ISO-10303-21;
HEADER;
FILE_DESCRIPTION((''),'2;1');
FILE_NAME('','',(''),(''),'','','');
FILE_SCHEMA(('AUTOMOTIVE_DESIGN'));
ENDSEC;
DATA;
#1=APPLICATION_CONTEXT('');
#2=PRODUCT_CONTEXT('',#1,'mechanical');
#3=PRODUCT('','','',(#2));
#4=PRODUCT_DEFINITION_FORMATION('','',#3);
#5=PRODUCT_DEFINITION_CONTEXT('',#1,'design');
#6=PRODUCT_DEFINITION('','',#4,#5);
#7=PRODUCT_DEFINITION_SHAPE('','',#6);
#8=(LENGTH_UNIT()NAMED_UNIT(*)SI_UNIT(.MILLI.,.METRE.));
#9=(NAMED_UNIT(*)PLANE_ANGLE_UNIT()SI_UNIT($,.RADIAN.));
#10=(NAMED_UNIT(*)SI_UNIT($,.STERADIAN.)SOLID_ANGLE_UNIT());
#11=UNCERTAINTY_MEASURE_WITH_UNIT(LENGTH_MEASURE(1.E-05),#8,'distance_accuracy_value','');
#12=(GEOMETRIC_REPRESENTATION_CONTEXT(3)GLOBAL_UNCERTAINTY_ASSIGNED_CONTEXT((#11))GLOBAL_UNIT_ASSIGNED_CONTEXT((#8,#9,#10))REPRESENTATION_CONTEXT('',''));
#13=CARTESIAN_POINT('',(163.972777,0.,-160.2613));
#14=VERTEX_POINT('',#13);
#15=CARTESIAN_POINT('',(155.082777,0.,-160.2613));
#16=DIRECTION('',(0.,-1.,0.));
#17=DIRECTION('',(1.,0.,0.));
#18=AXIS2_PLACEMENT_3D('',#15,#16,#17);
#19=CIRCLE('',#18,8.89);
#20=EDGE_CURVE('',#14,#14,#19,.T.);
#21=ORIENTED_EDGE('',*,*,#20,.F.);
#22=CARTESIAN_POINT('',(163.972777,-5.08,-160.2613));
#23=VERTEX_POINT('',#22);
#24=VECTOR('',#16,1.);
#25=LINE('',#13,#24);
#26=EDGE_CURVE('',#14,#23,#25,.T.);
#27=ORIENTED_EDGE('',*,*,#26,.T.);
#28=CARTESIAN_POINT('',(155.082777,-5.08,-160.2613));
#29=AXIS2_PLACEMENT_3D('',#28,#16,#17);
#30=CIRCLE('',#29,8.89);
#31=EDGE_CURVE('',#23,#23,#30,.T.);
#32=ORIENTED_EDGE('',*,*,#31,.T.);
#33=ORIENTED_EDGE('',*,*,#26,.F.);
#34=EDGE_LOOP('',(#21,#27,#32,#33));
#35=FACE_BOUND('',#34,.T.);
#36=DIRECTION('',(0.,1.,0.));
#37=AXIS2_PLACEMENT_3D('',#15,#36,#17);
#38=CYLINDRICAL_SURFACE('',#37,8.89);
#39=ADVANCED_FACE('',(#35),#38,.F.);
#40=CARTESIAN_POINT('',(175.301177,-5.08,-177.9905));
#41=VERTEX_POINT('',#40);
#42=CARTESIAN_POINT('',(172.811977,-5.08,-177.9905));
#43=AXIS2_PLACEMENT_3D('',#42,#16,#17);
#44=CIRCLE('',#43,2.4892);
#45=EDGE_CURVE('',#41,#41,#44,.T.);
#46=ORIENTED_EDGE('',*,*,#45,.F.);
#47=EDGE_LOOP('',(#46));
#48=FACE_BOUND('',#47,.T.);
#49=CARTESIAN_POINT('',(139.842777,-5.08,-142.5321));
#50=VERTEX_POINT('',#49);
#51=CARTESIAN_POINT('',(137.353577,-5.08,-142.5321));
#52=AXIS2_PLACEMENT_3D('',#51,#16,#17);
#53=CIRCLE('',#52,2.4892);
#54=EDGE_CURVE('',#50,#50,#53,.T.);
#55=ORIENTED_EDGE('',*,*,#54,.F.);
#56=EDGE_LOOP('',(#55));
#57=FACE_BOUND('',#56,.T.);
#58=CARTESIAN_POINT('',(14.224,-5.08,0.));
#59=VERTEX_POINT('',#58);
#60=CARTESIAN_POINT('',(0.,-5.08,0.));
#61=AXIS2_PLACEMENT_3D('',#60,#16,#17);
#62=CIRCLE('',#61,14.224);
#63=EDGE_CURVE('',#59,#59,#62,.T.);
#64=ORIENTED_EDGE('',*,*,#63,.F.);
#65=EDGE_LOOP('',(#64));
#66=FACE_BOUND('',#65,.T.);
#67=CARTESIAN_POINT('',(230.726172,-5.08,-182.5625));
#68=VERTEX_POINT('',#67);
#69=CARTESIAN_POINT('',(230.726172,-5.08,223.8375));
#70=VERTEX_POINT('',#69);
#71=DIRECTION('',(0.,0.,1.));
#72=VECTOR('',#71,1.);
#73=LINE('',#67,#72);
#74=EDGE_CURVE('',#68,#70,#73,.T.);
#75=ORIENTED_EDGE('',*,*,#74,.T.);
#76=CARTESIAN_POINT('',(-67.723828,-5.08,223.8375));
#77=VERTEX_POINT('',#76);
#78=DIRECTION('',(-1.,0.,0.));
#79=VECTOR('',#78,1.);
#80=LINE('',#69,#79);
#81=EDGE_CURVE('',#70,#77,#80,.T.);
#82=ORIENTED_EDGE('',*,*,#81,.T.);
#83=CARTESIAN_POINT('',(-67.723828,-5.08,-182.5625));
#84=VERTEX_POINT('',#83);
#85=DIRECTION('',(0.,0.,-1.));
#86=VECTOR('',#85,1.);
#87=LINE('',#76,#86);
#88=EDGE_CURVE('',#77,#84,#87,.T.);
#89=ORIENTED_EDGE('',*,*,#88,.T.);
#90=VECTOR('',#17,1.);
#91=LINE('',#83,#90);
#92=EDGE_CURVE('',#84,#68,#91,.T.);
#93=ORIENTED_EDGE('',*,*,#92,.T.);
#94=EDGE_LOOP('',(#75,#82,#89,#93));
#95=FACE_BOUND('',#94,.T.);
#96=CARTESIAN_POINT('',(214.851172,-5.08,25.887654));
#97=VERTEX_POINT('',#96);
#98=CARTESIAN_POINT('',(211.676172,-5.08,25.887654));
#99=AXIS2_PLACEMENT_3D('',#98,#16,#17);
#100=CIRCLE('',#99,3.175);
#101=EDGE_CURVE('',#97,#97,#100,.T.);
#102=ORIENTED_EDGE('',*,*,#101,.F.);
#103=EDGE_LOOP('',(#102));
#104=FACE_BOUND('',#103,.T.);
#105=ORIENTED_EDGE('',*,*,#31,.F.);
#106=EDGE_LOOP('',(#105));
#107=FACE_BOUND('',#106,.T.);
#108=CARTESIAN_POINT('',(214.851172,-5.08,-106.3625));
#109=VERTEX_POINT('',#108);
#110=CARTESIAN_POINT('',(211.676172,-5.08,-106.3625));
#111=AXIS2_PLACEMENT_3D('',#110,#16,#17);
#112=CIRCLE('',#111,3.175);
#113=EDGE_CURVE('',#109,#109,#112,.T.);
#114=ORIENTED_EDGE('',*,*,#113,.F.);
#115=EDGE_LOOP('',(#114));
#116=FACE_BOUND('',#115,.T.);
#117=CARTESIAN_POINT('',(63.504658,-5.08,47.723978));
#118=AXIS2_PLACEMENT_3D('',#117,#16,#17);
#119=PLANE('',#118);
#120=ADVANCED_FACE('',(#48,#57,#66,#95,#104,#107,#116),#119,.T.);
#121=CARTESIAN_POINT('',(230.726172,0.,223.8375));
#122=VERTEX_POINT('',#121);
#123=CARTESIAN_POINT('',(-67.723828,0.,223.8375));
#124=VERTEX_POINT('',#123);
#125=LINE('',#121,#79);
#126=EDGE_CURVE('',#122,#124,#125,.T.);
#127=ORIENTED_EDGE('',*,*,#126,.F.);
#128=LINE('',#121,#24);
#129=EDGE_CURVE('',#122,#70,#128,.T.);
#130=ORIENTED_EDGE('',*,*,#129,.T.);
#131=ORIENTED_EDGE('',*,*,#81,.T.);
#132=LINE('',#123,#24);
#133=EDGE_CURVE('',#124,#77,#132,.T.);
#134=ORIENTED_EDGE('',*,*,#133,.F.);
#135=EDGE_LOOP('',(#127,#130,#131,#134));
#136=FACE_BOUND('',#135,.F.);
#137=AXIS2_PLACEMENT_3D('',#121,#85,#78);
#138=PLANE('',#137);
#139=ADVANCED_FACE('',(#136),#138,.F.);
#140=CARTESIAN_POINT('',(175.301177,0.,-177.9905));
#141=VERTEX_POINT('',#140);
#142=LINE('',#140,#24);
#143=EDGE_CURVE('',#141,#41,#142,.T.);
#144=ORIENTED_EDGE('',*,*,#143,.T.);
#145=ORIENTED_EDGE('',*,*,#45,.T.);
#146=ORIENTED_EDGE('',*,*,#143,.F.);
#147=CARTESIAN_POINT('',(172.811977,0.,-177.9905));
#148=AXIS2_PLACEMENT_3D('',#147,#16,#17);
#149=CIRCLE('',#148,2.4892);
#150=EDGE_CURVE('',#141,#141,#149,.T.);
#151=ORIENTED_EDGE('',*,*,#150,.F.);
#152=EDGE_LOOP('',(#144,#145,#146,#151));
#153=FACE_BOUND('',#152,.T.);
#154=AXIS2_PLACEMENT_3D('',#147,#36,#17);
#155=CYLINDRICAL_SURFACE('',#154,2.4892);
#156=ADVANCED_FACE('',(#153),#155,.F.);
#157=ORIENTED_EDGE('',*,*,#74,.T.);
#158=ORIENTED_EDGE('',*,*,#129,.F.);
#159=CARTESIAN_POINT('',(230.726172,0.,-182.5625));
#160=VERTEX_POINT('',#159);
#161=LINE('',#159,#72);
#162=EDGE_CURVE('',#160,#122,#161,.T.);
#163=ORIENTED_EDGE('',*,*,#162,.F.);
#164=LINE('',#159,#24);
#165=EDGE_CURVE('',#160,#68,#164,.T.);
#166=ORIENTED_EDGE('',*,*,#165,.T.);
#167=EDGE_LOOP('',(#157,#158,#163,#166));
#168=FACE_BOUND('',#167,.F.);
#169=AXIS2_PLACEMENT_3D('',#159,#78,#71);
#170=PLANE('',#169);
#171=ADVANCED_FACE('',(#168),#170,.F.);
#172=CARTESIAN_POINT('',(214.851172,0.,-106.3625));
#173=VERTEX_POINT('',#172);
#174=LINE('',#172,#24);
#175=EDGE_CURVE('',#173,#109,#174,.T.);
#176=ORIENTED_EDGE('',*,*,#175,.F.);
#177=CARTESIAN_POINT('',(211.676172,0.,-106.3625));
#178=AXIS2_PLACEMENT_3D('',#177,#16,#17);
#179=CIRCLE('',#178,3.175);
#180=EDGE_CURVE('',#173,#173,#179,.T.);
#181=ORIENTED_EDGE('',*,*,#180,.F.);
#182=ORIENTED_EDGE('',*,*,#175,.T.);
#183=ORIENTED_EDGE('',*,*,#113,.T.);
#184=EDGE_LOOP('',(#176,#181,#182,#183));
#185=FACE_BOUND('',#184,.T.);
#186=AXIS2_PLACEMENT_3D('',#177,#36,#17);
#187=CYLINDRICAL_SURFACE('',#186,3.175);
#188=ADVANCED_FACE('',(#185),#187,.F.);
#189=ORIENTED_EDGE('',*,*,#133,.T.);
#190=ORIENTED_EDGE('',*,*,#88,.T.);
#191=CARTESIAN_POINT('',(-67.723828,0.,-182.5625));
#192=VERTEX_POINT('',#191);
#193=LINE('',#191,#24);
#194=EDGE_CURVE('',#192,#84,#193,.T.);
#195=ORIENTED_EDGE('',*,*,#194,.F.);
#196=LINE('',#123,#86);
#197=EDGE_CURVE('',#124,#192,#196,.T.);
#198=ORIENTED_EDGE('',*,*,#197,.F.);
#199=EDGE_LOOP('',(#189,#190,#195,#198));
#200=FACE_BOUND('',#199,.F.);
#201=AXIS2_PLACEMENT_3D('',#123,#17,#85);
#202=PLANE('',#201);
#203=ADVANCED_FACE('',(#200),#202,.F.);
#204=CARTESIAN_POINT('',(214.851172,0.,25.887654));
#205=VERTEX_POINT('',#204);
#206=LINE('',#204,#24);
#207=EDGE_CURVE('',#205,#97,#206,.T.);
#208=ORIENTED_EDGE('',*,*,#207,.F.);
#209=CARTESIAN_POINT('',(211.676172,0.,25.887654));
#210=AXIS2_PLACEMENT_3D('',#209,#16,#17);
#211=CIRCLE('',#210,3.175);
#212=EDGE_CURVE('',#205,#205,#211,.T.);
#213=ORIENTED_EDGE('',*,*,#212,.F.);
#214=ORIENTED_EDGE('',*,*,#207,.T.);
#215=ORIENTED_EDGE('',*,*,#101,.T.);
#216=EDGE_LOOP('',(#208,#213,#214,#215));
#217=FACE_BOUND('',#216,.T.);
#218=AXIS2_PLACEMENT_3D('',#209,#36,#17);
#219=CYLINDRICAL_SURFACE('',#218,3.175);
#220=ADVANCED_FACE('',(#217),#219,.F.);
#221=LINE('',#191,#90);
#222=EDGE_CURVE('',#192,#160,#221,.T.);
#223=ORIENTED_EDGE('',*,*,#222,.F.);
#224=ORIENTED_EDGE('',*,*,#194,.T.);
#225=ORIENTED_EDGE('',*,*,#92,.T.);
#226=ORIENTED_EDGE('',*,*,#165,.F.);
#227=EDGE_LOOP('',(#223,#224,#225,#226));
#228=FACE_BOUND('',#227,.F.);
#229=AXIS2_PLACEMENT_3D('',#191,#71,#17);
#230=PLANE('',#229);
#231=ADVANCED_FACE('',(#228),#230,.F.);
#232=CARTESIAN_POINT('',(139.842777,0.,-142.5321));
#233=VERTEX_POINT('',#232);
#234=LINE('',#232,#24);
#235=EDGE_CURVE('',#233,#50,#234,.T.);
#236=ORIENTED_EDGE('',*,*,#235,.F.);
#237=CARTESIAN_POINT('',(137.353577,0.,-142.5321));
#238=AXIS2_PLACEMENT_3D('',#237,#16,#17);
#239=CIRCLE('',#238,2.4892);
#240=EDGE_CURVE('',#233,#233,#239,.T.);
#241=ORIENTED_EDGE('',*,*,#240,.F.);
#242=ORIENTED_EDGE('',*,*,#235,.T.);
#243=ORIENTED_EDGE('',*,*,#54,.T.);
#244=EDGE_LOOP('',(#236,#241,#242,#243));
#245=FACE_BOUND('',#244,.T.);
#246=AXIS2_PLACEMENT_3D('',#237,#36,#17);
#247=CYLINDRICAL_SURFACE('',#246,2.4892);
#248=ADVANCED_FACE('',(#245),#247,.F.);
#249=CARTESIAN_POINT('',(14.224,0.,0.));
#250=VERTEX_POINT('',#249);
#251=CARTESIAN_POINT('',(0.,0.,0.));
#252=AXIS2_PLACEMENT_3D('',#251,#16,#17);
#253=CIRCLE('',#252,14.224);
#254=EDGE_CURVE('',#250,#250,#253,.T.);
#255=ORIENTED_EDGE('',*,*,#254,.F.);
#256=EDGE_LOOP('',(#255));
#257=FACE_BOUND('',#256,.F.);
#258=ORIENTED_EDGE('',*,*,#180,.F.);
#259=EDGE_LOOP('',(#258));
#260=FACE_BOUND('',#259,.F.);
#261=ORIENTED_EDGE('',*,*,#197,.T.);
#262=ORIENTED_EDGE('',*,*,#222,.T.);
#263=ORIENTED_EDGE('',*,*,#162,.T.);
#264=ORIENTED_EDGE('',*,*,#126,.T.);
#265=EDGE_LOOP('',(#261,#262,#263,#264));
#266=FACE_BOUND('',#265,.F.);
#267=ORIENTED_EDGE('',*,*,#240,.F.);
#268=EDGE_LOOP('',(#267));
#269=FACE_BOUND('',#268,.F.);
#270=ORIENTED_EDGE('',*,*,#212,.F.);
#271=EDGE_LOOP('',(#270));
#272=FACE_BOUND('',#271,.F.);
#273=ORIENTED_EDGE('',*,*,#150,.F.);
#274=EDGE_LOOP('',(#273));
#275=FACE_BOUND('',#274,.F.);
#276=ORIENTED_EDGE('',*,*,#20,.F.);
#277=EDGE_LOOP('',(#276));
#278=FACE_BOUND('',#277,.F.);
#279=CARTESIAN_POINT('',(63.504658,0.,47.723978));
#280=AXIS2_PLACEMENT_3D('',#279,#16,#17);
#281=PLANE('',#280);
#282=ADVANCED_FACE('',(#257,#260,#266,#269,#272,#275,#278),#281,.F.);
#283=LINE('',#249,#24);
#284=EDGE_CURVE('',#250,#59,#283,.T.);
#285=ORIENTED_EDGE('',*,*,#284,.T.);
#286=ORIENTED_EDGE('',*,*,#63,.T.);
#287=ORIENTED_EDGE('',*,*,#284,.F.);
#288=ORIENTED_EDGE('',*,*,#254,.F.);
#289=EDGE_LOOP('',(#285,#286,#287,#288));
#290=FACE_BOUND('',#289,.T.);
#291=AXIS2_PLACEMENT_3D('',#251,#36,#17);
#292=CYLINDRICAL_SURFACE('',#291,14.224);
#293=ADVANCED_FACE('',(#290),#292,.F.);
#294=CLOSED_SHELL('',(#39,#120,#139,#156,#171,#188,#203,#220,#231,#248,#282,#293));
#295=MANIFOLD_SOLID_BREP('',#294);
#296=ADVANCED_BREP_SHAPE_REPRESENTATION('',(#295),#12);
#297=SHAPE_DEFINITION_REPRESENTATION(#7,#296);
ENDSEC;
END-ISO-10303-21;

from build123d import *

# Parameters (mm, degrees)
F0_R     = 14.224
F0_R_2   = 8.89
F0_R_3   = 2.4892
F0_R_4   = 3.175
F1_DEPTH = 5.08


with BuildPart() as f1:
    # F0 (on Front) → F1 (new body)
    with BuildSketch(Plane.XZ):
        with BuildLine():
            Line((-67.723828, -182.5625), (0, -182.5625))
            ThreePointArc((0, -182.5625), (161.19312, -85.707902), (151.351172, 102.087654))
            Line((151.351172, 102.087654), (230.726172, 102.087654))
            Line((230.726172, 102.087654), (230.726172, 223.8375))
            Line((230.726172, 223.8375), (-67.723828, 223.8375))
            Line((-67.723828, 223.8375), (-67.723828, -182.5625))
        make_face()
        Circle(F0_R, mode=Mode.SUBTRACT)
        with BuildLine():
            ThreePointArc((151.351172, 102.087654), (161.19312, -85.707902), (0, -182.5625))
            Line((0, -182.5625), (131.587777, -182.5625))
            Line((131.587777, -182.5625), (178.577777, -182.5625))
            Line((178.577777, -182.5625), (230.726172, -182.5625))
            Line((230.726172, -182.5625), (230.726172, 102.087654))
            Line((230.726172, 102.087654), (151.351172, 102.087654))
        make_face()
        with Locations((155.082777, -160.2613)):
            Circle(F0_R_2, mode=Mode.SUBTRACT)
        with Locations((137.353577, -142.5321)):
            Circle(F0_R_3, mode=Mode.SUBTRACT)
        with Locations((172.811977, -177.9905)):
            Circle(F0_R_3, mode=Mode.SUBTRACT)
        with Locations((211.676172, -106.3625)):
            Circle(F0_R_4, mode=Mode.SUBTRACT)
        with Locations((211.676172, 25.887654)):
            Circle(F0_R_4, mode=Mode.SUBTRACT)
    extrude(amount=F1_DEPTH)


solid = f1.part
